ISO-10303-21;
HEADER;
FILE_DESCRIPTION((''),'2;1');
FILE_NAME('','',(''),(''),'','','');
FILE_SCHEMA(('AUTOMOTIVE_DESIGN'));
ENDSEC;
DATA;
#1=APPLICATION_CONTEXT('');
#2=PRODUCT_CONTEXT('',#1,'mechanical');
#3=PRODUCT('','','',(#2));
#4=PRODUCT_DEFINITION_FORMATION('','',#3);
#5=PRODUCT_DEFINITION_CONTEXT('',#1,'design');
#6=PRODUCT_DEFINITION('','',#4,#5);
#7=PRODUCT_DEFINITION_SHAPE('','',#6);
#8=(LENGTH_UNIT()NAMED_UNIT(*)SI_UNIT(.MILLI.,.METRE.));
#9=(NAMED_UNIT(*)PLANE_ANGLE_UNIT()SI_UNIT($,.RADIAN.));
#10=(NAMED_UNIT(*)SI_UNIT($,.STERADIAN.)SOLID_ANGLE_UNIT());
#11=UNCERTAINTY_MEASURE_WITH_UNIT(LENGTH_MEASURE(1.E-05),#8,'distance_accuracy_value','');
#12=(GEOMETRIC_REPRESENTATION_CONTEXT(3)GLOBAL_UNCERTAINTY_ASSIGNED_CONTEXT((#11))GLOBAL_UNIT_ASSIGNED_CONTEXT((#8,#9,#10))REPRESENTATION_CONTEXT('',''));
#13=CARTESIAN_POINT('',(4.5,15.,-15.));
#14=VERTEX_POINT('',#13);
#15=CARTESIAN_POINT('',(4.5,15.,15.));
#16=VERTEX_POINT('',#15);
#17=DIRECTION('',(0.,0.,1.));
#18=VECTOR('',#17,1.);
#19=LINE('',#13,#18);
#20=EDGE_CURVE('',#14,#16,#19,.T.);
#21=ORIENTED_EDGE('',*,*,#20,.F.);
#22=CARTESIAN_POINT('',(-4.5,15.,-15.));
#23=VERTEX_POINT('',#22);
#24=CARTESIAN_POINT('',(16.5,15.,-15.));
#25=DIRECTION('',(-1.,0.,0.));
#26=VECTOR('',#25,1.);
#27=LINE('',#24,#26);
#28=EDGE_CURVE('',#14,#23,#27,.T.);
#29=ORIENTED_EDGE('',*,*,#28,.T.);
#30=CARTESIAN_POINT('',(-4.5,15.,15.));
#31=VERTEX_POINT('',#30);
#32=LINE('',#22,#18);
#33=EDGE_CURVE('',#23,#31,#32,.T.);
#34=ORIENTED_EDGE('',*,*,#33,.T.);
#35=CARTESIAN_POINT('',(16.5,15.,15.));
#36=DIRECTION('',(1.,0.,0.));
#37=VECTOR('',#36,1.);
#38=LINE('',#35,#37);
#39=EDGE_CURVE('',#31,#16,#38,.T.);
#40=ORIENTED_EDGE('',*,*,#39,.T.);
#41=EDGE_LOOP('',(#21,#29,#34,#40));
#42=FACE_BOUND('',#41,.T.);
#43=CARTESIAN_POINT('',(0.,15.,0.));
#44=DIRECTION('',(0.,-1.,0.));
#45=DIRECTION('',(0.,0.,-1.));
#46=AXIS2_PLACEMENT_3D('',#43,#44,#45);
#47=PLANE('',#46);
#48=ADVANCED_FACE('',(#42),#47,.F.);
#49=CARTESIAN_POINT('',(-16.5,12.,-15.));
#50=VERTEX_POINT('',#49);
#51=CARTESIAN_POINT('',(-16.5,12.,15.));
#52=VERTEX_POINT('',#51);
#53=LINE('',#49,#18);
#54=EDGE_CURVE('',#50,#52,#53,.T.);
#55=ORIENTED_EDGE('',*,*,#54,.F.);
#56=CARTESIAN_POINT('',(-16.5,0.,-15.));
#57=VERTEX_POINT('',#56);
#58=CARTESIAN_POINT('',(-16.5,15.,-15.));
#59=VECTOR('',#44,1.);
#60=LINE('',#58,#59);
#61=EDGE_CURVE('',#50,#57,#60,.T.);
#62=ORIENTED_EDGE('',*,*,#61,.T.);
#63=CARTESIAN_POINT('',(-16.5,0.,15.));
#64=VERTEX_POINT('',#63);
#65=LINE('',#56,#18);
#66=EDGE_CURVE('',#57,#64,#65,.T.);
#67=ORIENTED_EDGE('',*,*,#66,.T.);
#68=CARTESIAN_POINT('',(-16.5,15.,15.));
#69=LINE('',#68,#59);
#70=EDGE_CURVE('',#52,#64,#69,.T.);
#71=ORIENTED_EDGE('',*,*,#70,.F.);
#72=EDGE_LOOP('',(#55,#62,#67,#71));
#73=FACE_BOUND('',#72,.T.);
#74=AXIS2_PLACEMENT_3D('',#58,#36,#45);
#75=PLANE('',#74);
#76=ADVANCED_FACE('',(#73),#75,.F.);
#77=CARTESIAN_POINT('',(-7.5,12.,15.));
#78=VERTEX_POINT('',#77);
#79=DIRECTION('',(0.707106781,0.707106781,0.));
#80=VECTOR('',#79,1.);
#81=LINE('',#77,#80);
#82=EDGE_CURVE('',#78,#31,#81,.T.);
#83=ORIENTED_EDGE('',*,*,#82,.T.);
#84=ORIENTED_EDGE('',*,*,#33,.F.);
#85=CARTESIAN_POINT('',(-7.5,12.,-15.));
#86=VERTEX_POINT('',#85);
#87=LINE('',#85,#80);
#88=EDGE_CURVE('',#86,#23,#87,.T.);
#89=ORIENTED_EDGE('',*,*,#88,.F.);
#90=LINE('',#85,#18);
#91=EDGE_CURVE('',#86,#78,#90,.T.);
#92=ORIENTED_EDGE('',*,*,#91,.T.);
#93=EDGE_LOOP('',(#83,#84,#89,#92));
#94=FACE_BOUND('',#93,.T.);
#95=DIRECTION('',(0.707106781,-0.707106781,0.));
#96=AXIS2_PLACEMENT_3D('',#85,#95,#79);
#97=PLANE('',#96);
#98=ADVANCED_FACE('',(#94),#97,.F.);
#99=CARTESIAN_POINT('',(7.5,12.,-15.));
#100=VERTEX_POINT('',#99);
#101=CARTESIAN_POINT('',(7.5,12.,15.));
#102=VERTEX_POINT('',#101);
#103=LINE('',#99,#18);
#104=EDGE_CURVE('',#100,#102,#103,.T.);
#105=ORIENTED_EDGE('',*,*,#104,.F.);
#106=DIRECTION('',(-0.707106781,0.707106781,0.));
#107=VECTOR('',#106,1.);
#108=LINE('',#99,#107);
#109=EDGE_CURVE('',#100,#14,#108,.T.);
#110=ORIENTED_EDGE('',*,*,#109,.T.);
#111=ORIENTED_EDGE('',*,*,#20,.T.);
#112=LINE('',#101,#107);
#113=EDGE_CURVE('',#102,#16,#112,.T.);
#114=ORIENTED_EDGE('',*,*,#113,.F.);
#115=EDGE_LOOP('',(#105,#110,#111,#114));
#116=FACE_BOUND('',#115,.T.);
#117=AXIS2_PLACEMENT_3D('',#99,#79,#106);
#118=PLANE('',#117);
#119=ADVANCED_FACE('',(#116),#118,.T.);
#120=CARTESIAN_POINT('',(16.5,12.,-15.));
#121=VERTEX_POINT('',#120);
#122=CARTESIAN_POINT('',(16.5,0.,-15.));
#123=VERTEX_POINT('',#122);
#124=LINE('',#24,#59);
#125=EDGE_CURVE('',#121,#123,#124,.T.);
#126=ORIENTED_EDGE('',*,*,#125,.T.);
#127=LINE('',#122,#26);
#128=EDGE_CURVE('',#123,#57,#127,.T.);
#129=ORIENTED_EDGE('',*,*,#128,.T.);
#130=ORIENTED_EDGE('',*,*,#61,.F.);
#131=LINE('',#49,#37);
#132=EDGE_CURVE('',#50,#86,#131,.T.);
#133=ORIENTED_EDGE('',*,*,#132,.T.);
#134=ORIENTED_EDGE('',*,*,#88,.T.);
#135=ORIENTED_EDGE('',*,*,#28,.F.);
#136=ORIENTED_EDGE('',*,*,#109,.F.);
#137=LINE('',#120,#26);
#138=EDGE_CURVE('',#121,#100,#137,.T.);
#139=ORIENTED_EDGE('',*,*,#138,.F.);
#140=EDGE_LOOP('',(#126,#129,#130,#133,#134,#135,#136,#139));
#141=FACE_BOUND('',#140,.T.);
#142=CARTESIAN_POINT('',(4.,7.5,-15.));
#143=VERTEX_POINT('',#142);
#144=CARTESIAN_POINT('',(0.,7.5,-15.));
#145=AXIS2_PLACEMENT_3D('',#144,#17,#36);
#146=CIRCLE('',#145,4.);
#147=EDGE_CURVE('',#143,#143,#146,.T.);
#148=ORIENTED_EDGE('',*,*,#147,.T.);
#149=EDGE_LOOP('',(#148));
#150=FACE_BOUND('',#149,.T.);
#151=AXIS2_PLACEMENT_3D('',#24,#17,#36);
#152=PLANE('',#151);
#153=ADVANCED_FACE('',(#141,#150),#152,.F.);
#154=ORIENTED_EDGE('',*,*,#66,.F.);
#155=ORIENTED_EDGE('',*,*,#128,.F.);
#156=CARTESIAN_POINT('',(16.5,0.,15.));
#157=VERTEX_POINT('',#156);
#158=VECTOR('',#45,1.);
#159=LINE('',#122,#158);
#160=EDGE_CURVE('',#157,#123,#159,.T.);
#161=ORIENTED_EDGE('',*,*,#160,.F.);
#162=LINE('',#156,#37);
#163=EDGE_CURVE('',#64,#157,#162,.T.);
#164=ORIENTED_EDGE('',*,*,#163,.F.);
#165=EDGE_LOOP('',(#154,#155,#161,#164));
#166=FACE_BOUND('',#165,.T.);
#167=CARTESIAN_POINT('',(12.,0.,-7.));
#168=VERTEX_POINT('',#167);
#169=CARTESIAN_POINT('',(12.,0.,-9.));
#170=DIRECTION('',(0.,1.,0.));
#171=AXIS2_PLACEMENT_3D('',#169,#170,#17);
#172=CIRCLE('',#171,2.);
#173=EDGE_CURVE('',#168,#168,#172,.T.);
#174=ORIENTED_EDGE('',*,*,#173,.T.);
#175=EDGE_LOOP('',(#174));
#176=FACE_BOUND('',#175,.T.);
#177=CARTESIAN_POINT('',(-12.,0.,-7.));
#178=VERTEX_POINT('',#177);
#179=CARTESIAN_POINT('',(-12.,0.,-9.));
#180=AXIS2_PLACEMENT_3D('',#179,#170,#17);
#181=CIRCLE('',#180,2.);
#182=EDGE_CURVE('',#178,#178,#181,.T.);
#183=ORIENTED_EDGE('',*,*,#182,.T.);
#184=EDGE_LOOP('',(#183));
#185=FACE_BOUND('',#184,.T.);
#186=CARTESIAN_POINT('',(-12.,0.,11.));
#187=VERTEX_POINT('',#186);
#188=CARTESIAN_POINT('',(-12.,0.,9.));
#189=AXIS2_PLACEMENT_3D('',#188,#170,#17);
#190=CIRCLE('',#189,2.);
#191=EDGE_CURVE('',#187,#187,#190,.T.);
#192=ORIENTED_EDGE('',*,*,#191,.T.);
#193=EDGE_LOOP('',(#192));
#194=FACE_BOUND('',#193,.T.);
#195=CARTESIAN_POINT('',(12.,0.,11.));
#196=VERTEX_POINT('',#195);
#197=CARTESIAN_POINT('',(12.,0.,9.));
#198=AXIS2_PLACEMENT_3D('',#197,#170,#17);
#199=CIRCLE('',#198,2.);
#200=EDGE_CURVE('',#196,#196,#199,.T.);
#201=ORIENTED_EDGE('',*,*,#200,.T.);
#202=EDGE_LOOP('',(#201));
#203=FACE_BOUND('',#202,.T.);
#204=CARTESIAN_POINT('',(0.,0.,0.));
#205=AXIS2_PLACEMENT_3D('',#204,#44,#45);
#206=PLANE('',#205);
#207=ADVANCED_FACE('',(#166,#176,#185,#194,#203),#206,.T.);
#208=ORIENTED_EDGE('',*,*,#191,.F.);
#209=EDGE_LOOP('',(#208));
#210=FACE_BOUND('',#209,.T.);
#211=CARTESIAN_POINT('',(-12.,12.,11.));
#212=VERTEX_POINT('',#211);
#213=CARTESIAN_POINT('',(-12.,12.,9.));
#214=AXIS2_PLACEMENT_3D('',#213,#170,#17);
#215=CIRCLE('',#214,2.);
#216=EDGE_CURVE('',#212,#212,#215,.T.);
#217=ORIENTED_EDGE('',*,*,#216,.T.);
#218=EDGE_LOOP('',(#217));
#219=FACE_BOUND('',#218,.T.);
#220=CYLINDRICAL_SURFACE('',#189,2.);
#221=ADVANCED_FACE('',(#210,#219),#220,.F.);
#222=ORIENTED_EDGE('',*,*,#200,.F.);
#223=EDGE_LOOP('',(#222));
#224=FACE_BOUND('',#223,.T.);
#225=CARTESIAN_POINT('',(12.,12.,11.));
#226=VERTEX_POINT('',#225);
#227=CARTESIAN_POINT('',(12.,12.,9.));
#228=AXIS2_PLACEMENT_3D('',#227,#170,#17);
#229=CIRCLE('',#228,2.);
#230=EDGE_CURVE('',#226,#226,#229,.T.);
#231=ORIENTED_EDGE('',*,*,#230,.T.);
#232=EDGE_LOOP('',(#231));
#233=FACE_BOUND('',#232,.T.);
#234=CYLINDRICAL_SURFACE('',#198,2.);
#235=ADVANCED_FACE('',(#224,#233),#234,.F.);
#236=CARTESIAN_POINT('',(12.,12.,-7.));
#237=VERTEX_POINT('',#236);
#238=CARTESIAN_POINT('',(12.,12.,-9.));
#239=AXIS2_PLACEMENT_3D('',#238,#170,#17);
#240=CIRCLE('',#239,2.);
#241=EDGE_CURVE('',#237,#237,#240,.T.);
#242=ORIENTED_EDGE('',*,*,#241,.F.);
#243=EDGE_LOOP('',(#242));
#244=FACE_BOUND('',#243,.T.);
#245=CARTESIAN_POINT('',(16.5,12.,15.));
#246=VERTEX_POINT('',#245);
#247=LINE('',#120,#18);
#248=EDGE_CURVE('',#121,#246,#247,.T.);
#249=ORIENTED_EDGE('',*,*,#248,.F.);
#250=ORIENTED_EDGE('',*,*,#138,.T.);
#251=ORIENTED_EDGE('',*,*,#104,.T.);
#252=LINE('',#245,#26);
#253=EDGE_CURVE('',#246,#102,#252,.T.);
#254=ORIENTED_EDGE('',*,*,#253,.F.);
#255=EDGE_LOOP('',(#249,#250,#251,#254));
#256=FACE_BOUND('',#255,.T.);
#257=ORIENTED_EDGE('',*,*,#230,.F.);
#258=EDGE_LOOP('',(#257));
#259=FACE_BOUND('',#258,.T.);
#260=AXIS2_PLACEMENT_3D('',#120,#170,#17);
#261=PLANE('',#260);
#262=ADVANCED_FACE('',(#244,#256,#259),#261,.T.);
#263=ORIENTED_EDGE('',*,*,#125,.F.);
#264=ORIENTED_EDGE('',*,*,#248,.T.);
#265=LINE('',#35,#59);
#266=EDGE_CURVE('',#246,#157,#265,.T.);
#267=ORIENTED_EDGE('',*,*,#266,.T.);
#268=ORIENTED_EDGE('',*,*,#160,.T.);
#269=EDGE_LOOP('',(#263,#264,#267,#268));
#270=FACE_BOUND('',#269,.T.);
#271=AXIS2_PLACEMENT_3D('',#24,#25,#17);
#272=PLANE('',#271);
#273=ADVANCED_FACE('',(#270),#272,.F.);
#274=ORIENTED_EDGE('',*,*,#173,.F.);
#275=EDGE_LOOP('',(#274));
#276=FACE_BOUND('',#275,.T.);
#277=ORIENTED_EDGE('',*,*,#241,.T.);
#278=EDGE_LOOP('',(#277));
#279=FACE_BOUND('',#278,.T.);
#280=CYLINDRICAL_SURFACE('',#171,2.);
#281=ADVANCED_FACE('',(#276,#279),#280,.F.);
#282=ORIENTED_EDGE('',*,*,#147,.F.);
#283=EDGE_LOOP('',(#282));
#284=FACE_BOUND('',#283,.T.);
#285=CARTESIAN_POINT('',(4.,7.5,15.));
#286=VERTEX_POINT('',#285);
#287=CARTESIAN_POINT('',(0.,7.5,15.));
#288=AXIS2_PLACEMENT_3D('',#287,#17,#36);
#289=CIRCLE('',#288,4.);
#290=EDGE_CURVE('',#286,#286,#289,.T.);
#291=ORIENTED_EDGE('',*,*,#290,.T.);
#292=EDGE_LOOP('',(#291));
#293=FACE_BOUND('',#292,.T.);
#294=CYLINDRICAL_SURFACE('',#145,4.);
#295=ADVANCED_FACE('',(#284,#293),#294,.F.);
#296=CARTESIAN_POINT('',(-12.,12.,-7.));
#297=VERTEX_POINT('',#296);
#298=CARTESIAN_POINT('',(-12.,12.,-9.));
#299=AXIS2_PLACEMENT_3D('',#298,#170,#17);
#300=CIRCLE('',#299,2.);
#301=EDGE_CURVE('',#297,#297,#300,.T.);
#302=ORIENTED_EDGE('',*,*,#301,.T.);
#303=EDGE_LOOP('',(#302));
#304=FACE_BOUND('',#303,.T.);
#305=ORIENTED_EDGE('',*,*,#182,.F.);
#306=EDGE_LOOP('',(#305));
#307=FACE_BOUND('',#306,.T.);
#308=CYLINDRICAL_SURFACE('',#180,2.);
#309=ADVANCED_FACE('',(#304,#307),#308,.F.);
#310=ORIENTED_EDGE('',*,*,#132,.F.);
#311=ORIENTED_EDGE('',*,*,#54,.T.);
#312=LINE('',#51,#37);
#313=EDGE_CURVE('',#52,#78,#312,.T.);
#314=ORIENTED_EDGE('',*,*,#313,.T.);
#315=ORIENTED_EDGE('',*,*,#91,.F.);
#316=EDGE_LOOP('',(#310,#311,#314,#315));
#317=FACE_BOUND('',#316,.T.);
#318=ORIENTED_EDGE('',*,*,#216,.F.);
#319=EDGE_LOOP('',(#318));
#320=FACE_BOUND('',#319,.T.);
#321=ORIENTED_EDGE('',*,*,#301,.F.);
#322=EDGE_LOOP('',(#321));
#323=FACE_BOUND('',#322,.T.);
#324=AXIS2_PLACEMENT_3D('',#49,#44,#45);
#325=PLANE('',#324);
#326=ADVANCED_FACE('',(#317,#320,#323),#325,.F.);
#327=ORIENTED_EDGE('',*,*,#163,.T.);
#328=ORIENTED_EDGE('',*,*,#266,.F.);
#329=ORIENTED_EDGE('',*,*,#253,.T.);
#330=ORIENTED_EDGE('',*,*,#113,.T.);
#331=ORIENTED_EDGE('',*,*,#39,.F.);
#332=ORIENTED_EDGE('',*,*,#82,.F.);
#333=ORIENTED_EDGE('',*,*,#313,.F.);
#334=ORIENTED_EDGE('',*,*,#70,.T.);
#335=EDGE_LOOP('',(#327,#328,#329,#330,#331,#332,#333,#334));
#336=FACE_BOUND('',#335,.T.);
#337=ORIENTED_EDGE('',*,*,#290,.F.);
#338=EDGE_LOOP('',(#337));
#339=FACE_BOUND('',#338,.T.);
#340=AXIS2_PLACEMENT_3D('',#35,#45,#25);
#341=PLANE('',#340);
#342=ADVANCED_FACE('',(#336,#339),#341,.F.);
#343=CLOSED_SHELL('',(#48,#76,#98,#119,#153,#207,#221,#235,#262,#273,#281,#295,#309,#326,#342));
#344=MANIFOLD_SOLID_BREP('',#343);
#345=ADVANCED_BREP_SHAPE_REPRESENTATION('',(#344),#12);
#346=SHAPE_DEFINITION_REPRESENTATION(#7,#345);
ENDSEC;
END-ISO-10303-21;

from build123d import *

# Parameters (mm, degrees)
ESQUISSE1_W             = 33
ESQUISSE1_H             = 30
BOSS_EXTRU_1_DEPTH      = 15
ESQUISSE2_R             = 4
ENL_V_MAT_EXTRU_1_DEPTH = 38.379807383
ENL_V_MAT_EXTRU_2_DEPTH = 38.379807383
ESQUISSE4_R             = 2
ENL_V_MAT_EXTRU_3_DEPTH = 26.322914524


with BuildPart() as part:
    # Esquisse1 → Boss.-Extru.1 (new body)
    with BuildSketch(Plane(origin=(0, 0, 0), x_dir=(1, 0, 0), z_dir=(0, 1, 0))):
        Rectangle(ESQUISSE1_W, ESQUISSE1_H)
    extrude(amount=BOSS_EXTRU_1_DEPTH)

    # Esquisse2 → Enlèv. mat.-Extru.1 (cut, through all)
    with BuildSketch(Plane.XY.offset(15)):
        with Locations((0, 7.5)):
            Circle(ESQUISSE2_R)
    extrude(amount=-ENL_V_MAT_EXTRU_1_DEPTH, mode=Mode.SUBTRACT)

    # Esquisse3 → Enlèv. mat.-Extru.2 (cut, through all)
    with BuildSketch(Plane.XY.offset(15)):
        Polygon((-16.5, 15), (-16.5, 12), (-7.5, 12), (-4.5, 15), align=None)
    enl_v_mat_extru_2 = extrude(amount=-ENL_V_MAT_EXTRU_2_DEPTH, mode=Mode.SUBTRACT)

    # Symétrie1: Enlèv. mat.-Extru.2 across plane
    add(enl_v_mat_extru_2.mirror(Plane(origin=(0, 0, 0), x_dir=(0, 0, 1), z_dir=(1, 0, 0))), mode=Mode.SUBTRACT)

    # Esquisse4 → Enlèv. mat.-Extru.3 (cut, through all)
    with BuildSketch(Plane(origin=(0, 12, 0), x_dir=(1, 0, 0), z_dir=(0, 1, 0))):
        with Locations(Location((-12, 9, 0), (0, 0, 270))):
            Circle(ESQUISSE4_R)
        with Locations(Location((12, 9, 0), (0, 0, 270))):
            Circle(ESQUISSE4_R)
        with Locations(Location((-12, -9, 0), (0, 0, 270))):
            Circle(ESQUISSE4_R)
        with Locations(Location((12, -9, 0), (0, 0, 270))):
            Circle(ESQUISSE4_R)
    extrude(amount=-ENL_V_MAT_EXTRU_3_DEPTH, mode=Mode.SUBTRACT)


solid = part.part
